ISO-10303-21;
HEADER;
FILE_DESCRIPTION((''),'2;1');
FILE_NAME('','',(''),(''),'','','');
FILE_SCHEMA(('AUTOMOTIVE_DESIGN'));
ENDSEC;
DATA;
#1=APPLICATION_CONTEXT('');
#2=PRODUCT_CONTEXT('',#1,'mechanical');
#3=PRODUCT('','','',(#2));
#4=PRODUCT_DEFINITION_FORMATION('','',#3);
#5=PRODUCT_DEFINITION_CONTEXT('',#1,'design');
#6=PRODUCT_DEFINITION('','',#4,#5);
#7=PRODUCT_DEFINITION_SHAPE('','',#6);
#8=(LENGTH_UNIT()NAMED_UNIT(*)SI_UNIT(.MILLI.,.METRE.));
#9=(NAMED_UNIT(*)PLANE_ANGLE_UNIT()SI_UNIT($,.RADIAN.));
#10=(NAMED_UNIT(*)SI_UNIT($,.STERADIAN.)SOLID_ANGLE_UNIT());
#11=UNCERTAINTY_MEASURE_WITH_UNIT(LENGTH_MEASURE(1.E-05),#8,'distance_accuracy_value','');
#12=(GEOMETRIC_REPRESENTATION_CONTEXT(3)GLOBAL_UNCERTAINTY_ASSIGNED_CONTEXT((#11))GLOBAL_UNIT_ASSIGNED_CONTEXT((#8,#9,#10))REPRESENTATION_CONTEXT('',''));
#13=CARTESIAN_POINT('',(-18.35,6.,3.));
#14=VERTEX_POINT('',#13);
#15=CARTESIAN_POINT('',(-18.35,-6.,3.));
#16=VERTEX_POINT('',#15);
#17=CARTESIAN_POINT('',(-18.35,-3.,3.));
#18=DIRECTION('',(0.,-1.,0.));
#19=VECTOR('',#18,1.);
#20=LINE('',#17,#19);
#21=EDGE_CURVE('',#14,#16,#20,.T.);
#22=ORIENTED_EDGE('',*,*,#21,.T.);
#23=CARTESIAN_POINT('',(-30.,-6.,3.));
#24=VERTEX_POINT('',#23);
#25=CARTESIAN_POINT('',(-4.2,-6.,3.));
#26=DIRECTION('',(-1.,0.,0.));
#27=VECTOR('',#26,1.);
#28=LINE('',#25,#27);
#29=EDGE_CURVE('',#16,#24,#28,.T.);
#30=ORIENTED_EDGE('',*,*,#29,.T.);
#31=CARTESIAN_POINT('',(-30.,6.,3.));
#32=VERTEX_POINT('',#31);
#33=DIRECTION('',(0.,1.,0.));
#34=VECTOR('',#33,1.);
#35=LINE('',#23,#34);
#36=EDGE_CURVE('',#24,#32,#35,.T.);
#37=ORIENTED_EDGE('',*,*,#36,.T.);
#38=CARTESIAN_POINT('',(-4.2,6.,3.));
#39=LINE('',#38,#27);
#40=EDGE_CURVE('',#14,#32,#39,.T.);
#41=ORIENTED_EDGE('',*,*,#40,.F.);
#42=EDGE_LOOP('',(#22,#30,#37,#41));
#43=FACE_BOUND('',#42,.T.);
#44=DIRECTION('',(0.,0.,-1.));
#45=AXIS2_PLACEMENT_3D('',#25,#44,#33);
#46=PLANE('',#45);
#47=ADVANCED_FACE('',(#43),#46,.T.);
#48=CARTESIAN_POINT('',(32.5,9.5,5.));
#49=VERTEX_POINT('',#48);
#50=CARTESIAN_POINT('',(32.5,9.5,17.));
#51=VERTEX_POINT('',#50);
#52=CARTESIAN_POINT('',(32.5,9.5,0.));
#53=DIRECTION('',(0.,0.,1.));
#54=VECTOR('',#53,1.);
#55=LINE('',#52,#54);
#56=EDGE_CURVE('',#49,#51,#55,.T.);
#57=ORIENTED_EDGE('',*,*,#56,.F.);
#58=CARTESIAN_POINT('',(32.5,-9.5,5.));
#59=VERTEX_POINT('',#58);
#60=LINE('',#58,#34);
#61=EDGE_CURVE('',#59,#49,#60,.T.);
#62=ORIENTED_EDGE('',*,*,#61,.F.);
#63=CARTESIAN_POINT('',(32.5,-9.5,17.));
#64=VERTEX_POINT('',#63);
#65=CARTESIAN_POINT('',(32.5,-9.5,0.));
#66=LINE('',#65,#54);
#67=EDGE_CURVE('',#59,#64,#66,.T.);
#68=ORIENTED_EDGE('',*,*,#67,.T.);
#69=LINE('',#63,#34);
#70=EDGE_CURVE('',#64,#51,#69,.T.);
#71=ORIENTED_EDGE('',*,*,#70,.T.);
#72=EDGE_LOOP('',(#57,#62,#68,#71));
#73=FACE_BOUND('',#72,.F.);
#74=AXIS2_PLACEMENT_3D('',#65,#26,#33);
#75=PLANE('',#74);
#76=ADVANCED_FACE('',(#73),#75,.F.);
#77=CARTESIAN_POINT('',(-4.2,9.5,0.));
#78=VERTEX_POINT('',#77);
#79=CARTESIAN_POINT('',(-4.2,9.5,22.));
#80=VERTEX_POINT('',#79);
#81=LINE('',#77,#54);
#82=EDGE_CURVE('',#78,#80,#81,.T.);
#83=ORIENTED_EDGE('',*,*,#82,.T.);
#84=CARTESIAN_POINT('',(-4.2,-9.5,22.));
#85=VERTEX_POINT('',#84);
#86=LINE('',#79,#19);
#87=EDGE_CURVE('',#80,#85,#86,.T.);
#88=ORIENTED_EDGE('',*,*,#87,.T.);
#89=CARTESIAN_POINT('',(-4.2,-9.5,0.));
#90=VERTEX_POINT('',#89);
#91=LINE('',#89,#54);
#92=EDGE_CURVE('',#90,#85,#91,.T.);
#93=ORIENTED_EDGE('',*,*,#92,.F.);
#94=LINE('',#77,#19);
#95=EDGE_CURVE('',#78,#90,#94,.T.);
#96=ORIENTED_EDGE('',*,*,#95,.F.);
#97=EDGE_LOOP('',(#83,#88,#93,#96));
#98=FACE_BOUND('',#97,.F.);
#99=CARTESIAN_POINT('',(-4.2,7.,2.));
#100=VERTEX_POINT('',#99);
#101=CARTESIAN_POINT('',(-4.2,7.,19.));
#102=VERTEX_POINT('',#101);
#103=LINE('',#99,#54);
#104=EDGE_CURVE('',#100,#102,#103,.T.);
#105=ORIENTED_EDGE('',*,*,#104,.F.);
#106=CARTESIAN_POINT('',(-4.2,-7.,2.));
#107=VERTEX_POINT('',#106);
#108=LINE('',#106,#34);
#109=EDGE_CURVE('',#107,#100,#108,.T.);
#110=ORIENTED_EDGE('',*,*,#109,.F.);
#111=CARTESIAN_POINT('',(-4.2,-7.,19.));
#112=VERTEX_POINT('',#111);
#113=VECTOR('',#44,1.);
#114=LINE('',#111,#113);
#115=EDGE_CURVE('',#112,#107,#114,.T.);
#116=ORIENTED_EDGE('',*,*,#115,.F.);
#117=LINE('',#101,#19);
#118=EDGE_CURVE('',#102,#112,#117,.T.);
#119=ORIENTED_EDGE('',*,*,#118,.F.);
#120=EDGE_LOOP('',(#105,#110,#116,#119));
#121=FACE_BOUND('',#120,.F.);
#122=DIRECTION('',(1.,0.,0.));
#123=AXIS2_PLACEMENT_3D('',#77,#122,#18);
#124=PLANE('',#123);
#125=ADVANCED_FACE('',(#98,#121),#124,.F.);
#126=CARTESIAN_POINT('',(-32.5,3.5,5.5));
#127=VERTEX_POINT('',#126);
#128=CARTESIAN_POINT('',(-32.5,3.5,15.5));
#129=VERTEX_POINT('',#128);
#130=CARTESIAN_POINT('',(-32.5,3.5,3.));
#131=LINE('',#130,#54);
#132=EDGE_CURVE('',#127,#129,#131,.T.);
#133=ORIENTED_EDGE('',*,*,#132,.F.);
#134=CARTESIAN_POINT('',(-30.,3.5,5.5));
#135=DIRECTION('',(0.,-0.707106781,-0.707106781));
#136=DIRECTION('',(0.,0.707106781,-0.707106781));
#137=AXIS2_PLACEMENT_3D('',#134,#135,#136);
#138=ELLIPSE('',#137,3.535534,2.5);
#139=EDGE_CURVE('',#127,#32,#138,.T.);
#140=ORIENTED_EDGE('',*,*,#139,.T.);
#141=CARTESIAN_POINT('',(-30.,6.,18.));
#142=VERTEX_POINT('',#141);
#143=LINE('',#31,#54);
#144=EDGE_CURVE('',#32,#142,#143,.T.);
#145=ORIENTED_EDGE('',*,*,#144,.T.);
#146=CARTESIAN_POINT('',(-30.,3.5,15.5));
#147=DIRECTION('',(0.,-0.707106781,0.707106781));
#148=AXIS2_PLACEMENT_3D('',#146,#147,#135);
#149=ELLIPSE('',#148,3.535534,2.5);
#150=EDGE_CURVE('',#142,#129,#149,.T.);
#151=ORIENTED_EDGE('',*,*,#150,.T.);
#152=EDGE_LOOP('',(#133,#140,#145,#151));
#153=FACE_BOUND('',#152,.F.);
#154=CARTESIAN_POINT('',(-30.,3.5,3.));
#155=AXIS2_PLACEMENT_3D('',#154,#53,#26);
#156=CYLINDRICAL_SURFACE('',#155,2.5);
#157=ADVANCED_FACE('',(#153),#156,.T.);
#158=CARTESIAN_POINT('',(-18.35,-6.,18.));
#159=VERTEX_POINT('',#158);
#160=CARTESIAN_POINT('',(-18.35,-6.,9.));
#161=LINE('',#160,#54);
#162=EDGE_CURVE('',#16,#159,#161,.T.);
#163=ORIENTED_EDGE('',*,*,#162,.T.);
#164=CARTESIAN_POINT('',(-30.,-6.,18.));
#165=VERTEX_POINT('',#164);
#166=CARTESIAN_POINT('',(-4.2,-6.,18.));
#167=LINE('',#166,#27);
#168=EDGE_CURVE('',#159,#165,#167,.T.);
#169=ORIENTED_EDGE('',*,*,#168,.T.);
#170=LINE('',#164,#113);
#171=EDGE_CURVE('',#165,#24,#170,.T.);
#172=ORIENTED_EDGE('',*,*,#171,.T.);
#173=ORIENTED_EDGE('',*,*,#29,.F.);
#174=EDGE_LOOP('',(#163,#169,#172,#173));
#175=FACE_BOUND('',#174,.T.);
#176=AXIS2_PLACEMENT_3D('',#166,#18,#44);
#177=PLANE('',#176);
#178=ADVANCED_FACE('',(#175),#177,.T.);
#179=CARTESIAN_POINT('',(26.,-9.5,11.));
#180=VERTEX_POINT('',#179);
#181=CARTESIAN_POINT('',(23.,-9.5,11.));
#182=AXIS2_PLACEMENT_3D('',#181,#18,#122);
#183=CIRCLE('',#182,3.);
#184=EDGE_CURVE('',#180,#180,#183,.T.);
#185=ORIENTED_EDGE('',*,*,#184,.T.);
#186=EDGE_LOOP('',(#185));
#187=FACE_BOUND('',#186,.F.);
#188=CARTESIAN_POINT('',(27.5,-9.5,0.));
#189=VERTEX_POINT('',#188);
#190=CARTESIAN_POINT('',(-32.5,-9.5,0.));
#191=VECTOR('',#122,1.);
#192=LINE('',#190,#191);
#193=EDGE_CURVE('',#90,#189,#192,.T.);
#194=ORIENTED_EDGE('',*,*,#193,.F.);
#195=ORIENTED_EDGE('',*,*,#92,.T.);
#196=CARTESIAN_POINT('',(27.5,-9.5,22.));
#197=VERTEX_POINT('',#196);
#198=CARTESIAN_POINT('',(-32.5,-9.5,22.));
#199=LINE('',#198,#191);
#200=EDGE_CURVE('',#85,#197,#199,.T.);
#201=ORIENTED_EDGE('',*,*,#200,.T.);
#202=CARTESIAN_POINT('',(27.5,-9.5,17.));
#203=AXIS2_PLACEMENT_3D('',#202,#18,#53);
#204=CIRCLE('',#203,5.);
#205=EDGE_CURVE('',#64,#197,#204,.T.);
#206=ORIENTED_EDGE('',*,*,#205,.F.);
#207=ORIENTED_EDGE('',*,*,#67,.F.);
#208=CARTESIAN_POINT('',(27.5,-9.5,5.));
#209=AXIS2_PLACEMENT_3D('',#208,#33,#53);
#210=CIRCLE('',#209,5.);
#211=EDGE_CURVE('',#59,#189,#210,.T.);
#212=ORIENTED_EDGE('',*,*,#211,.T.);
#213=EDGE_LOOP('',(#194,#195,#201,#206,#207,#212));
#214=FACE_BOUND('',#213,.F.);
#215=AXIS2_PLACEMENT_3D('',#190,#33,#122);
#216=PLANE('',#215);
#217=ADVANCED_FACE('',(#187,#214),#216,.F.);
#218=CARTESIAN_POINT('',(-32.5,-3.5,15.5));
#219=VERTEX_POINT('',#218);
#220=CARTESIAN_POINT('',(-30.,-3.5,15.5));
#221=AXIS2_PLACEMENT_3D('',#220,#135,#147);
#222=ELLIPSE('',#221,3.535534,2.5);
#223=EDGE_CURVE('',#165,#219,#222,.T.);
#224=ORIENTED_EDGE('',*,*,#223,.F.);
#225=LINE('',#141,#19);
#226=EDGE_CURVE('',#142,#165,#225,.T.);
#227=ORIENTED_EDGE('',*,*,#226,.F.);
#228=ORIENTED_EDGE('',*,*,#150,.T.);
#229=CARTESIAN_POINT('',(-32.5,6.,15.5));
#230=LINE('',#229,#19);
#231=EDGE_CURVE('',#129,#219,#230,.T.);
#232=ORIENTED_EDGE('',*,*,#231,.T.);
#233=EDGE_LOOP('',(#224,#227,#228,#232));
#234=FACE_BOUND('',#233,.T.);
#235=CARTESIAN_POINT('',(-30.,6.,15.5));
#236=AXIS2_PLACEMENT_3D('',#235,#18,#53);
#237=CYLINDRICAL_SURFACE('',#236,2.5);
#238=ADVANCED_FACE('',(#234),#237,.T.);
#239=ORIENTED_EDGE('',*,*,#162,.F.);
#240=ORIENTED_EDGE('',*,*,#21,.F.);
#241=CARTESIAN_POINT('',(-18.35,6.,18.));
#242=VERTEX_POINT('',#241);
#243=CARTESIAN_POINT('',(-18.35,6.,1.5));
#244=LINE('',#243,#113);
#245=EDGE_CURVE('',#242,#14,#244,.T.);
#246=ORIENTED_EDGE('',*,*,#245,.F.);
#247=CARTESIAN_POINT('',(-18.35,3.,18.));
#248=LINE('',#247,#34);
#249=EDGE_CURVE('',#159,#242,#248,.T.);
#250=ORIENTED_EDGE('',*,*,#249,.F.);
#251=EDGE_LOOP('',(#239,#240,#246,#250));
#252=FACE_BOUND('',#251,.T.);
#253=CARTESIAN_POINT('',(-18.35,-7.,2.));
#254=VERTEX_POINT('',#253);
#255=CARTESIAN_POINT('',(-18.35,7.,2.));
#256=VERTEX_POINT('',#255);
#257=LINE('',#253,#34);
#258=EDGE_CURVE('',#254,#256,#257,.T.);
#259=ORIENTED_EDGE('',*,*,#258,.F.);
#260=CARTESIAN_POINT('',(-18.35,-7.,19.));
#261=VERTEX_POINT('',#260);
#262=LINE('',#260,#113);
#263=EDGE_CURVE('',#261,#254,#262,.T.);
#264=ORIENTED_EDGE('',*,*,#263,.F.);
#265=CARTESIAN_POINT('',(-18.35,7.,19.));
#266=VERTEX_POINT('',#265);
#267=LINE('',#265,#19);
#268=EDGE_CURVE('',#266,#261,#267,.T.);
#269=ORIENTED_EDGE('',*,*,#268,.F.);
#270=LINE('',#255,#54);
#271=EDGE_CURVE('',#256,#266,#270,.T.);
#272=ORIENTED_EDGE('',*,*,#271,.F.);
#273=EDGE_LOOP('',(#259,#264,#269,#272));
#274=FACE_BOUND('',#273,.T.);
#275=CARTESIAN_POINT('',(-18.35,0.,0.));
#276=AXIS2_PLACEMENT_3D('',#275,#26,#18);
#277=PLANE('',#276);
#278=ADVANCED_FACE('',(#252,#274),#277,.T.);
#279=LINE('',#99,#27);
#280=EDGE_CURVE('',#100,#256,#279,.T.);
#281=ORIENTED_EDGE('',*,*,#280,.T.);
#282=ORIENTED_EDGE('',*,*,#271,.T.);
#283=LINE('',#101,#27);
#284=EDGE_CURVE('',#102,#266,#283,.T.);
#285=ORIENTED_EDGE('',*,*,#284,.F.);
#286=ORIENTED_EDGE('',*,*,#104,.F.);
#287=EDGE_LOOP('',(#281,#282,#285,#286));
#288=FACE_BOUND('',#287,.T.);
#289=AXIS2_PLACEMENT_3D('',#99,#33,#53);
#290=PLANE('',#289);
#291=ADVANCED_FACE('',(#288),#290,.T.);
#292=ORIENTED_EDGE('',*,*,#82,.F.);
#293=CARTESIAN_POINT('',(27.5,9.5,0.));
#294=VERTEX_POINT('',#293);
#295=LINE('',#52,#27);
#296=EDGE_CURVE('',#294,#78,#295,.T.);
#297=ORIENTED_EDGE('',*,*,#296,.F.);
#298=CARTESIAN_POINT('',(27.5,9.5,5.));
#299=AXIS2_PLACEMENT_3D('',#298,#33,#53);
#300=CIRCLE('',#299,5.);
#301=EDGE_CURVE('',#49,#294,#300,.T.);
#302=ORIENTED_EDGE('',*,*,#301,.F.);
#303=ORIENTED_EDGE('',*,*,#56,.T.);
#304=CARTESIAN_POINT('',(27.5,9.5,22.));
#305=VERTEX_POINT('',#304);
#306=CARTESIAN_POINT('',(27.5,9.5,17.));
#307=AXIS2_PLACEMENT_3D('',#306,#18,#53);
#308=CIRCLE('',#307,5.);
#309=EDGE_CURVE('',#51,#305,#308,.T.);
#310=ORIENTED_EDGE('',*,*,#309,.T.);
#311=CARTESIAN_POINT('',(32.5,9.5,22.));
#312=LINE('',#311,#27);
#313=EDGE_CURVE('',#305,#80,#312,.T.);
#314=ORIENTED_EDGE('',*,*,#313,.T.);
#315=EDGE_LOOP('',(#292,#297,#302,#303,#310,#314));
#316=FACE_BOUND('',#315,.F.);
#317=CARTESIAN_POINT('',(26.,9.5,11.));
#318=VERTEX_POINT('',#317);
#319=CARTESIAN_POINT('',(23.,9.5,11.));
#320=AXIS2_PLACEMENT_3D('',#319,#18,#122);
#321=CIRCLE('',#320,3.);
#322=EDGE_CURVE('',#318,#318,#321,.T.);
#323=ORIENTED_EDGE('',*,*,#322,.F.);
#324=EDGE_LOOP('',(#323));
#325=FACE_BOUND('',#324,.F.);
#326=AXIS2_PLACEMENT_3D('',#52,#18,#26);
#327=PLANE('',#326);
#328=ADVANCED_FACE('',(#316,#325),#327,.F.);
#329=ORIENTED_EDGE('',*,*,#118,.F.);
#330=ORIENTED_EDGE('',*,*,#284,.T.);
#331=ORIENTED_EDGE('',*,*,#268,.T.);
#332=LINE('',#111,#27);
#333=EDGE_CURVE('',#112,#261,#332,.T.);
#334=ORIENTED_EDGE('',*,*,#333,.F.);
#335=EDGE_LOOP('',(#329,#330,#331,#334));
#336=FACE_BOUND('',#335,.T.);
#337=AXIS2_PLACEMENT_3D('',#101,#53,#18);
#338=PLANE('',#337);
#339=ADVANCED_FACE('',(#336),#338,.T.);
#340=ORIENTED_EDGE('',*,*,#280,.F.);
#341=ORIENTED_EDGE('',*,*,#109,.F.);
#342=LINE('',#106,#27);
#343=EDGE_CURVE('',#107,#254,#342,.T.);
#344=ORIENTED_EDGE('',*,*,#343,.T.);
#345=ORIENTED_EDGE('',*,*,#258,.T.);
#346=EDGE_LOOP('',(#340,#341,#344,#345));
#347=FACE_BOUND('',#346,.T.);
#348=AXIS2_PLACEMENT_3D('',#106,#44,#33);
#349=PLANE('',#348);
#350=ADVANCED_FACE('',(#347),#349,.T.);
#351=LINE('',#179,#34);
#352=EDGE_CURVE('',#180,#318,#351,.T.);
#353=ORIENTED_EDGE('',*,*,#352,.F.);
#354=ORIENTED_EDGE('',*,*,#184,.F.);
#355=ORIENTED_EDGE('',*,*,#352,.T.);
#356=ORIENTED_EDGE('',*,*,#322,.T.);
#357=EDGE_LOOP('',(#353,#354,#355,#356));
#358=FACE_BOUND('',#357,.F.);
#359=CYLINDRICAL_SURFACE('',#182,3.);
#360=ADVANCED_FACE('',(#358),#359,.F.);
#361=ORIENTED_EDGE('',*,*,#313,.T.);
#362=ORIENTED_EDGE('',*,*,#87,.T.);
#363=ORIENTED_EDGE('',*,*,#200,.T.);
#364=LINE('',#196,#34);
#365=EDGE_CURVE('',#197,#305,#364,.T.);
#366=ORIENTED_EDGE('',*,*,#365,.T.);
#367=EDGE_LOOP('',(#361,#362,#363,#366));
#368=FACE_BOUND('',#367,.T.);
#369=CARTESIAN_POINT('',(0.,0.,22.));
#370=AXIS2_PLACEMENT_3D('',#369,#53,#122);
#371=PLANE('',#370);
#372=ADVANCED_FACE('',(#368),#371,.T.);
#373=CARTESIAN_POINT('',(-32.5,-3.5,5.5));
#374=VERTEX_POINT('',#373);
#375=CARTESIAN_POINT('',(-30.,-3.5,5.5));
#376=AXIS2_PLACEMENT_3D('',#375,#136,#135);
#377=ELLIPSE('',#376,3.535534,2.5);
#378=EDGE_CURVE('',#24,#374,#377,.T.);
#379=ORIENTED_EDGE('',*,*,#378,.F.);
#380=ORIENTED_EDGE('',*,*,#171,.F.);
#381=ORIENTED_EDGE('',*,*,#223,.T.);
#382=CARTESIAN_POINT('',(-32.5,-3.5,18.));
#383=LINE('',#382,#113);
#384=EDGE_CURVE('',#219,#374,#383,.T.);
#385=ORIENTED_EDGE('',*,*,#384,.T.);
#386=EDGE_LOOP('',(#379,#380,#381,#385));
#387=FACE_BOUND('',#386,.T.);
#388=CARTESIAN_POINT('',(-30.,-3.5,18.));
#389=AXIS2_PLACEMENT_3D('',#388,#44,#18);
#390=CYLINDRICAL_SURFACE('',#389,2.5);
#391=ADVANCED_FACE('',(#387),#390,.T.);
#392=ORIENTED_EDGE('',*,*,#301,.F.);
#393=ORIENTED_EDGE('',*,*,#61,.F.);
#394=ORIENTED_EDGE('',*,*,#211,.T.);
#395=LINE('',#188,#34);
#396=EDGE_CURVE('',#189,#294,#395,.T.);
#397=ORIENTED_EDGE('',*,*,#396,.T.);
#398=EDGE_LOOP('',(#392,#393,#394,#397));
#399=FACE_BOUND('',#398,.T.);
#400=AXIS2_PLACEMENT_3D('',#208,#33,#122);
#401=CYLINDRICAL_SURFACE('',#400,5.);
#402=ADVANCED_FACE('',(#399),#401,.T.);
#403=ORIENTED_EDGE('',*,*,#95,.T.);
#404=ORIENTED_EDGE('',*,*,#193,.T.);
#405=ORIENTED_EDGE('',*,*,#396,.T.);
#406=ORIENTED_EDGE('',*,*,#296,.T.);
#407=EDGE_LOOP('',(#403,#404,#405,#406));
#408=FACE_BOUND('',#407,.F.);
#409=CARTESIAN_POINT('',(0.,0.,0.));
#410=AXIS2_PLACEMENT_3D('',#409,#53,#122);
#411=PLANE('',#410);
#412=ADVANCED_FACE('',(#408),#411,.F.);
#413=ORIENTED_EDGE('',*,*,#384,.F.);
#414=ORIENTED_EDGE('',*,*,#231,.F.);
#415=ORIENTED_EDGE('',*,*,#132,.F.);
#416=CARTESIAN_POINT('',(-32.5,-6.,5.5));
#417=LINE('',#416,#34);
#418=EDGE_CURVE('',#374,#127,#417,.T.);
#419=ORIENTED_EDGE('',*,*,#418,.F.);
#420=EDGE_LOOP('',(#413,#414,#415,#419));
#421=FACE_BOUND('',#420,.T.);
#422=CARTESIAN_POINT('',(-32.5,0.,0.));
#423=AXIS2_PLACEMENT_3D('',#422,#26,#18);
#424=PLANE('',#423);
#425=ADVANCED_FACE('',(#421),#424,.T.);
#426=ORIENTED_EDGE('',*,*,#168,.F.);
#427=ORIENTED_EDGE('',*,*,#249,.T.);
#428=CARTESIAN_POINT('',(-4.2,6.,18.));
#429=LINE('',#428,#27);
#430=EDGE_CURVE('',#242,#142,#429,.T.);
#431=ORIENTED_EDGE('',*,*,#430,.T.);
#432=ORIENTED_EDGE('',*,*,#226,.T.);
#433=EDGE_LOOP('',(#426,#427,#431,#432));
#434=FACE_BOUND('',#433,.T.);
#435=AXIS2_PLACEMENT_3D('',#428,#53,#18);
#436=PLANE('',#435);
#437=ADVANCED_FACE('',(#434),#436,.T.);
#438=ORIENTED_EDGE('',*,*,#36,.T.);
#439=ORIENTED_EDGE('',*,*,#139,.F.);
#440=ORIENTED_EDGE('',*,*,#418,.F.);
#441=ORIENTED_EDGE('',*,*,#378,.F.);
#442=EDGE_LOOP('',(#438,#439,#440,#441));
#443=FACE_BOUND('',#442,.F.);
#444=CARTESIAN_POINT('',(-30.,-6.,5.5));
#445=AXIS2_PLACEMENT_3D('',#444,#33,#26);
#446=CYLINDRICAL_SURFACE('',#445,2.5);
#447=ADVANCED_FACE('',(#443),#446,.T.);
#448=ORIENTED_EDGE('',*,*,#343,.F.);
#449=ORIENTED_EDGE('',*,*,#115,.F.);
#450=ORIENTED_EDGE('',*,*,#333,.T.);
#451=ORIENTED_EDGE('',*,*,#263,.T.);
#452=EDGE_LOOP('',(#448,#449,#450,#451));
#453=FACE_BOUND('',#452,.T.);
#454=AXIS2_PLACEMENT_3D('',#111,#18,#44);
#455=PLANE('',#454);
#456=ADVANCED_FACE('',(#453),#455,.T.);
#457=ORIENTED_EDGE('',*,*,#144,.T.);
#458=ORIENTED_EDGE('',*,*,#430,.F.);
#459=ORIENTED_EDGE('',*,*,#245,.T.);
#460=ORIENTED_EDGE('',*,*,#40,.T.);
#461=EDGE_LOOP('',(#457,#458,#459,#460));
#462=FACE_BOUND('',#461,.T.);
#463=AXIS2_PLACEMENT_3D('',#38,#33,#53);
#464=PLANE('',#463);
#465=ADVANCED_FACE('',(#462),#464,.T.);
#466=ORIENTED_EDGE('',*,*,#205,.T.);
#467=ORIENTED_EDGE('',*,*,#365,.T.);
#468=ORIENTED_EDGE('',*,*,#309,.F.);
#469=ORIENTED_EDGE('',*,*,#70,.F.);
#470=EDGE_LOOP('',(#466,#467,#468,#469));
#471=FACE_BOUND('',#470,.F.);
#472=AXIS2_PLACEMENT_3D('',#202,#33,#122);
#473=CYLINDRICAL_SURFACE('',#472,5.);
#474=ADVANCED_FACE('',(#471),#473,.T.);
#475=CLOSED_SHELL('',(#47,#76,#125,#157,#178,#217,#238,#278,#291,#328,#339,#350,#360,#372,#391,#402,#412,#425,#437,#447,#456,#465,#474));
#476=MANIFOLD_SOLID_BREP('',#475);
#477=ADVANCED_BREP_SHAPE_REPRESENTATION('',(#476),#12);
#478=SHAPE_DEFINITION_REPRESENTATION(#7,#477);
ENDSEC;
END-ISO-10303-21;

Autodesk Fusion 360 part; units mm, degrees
sketch "Sketch1" plane through (0, 0, 0) normal (0, 0, 1) x (1, 0, 0) in component "Motor"
  line L0 (32.5, 9.5) -> (-32.5, 9.5)
  line L1 (-32.5, 9.5) -> (-32.5, -9.5)
  line L2 (-32.5, -9.5) -> (32.5, -9.5)
  line L3 (32.5, -9.5) -> (32.5, 9.5)
  line L4 (32.5, 9.5) -> (-32.5, -9.5) construction
  line L5 (-32.5, 9.5) -> (32.5, -9.5) construction
  dimension "d1" = 65
  dimension "d2" = 19
extrude "Extrude1" add sketch "Sketch1" along normal blind 25 in component "Motor"
extrude "Extrude2" cut 1 faces at (-10.8333, -3.1667, 25) along direction (0, 0, -1) blind 3 in component "Motor"
extrude "Extrude3" cut 1 faces at (-32.5, 3.1667, 14.6667) along direction (1, 0, 0) blind 28.3 in component "Motor"
sketch "Sketch2" plane through (-4.2, 0, 0) normal (-1, 0, 0) x (0, -1, 0) in component "Motor"
  line L0 (9.5, 22) -> (-9.5, 22)
  line L1 (-9.5, 22) -> (-9.5, 0)
  line L2 (-9.5, 0) -> (9.5, 0)
  line L3 (9.5, 0) -> (9.5, 22)
  line L4 (-9.5, 22) -> (9.5, 22)
  line L5 (9.5, 22) -> (9.5, 0)
  line L6 (9.5, 0) -> (-9.5, 0)
  line L7 (-9.5, 0) -> (-9.5, 22)
  line L8 (-7, 19) -> (7, 19)
  line L9 (7, 19) -> (7, 2)
  line L10 (7, 2) -> (-7, 2)
  line L11 (-7, 2) -> (-7, 19)
  line L12 (-6, 18) -> (6, 18)
  line L13 (6, 18) -> (6, 3)
  line L14 (6, 3) -> (-6, 3)
  line L15 (-6, 3) -> (-6, 18)
extrude "Extrude4" add sketch "Sketch2" along normal blind 28.3 contours L8 L9 L10 L11 | L12 L13 L14 L15 in component "Motor"
fillet "Fillet1" radius 5 2 edges at (32.5, 0, 22) (32.5, 0, 0) in component "Motor"
extrude "Extrude5" cut 1 faces at (-32.5, 2.3333, 7.6667) along direction (1, 0, 0) blind 14.15 in component "Motor"
extrude "Extrude6" add sketch "Sketch2" along normal blind 28.3 contours L12 L13 L14 L15 in component "Motor"
fillet "Fillet2" radius 2.5 1 faces at (-32.5, 2, 13) in component "Motor"
sketch "Sketch3" plane through (0, -9.5, 0) normal (0, -1, 0) x (1, 0, 0) in component "Motor"
  arc A0 (27.5, 0) -> (32.5, 5) centre (27.5, 5) ccw
  line L0 (32.5, 5) -> (32.5, 17)
  arc A1 (32.5, 17) -> (27.5, 22) centre (27.5, 17) ccw
  line L1 (27.5, 22) -> (-4.2, 22)
  line L2 (-4.2, 22) -> (-4.2, 0)
  line L3 (-4.2, 0) -> (27.5, 0)
  line L4 (-4.2, 22) -> (27.6, 22)
  line L5 (32.6, 17) -> (32.6, 5)
  line L6 (27.6, 0) -> (-4.2, 0)
  line L7 (-4.2, 0) -> (-4.2, 22)
  arc A2 (32.6, 17) -> (27.6, 22) centre (27.6, 17) ccw
  arc A3 (27.6, 0) -> (32.6, 5) centre (27.6, 5) ccw
  circle A4 centre (23, 11) radius 3
  point P0 (32.6, 22)
  dimension "d19" = 36.8
  dimension "d20" = 5
  dimension "d21" = 6
extrude "Extrude7" cut sketch "Sketch3" against normal blind 56 contours A4 in component "Motor"
component "Motor" placed x (1, 0, 0) y (0, 1, 0) z (0, 0, 1) at (0, 0, 0)
equation "d13 = ( -28.3 / 2 ) * 1 mm"
